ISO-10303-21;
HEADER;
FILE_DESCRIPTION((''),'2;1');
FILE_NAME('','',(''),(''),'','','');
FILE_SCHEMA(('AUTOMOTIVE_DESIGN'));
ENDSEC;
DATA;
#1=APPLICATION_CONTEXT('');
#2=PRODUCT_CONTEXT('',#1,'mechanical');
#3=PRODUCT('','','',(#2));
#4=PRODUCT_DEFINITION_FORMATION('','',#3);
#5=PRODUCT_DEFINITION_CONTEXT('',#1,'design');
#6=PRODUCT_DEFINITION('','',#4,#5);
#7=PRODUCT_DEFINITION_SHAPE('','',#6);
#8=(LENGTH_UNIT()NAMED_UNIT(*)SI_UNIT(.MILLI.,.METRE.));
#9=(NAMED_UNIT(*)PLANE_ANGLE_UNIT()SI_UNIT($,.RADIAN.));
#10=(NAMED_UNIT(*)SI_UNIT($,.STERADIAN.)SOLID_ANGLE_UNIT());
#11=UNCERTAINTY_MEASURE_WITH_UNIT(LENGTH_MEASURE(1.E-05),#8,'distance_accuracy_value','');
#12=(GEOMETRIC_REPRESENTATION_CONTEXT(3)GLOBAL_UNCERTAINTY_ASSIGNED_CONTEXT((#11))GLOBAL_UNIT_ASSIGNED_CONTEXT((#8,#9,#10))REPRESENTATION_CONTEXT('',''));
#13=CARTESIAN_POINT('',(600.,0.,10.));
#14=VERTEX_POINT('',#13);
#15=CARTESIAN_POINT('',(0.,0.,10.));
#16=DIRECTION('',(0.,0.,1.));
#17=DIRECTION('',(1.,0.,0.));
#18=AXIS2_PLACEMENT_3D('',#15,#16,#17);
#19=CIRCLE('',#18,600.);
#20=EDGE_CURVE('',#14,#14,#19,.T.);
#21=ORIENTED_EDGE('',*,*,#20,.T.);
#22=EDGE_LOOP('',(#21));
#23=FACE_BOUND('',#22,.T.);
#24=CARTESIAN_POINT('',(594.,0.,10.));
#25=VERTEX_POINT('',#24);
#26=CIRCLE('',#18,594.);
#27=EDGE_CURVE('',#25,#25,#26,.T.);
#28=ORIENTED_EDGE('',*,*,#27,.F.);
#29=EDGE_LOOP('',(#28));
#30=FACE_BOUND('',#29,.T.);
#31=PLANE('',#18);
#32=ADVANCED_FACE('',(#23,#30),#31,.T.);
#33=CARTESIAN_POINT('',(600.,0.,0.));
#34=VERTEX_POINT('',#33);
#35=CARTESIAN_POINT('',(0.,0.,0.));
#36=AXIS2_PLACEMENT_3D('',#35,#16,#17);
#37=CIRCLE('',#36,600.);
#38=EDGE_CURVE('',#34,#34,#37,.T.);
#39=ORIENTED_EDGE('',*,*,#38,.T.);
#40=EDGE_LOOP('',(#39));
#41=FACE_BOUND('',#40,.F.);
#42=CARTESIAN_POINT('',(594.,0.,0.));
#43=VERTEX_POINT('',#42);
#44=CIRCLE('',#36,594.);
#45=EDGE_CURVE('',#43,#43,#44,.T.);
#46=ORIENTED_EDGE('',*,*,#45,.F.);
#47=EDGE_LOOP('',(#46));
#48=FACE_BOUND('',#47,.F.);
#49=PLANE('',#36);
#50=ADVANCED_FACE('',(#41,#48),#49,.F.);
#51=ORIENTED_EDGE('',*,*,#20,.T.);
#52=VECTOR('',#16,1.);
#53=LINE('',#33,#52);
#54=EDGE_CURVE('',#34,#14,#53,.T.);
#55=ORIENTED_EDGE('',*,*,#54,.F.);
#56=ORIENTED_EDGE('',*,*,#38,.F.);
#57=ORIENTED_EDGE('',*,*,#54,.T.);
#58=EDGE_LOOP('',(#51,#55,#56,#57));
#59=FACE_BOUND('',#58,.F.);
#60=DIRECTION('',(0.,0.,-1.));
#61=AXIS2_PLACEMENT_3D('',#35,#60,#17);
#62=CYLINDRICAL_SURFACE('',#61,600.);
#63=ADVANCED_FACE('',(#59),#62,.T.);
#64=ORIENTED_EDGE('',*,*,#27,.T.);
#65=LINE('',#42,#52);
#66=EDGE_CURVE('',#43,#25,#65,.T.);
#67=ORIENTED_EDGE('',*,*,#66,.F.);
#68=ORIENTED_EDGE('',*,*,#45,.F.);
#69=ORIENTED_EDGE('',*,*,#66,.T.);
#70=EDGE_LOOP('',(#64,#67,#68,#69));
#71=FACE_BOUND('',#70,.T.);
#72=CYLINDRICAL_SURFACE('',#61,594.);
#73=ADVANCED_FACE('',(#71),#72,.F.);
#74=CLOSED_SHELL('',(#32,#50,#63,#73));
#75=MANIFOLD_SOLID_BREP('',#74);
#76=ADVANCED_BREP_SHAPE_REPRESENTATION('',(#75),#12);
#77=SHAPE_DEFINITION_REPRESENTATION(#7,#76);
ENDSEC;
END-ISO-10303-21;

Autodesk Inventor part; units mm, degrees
ref_plane "YZ Plane" through (0, 0, 0) normal (1, 0, 0) x (0, 1, 0)
ref_plane "XZ Plane" through (0, 0, 0) normal (0, 1, 0) x (-1, 0, 0)
ref_plane "XY Plane" through (0, 0, 0) normal (0, 0, 1) x (1, 0, 0)
sketch "Sketch1" plane through (0, 0, 0) normal (0, 0, 1) x (1, 0, 0)
  circle A0 centre (0, 0) radius 600
  circle A1 centre (0, 0) radius 594
  dimension "d0" = 1200
  dimension "d1" = 6
extrude "Extrusion1" add sketch "Sketch1" along normal blind 10
sketch "Sketch2" plane through (0, 0, 0) normal (0, 0, 1) x (1, 0, 0)
  circle A0 centre (0, 0) radius 517.8803 construction
  circle A1 centre (0, 0) radius 400.2499 construction
  circle A2 centre (0, 0) radius 256.3201 construction
  circle A3 centre (90, -90) radius 95
  circle A4 centre (-90, -90) radius 95
  circle A5 centre (-90, 90) radius 95
  circle A6 centre (90, 90) radius 95
  line L0 (90, 90) -> (-90, 90)
  line L1 (-90, 90) -> (-90, -90)
  line L2 (-90, -90) -> (90, -90)
  line L3 (90, -90) -> (90, 90)
  line L4 (90, 90) -> (-90, -90) construction
  line L5 (-90, 90) -> (90, -90) construction
  circle A7 centre (-240, -90) radius 95
  circle A8 centre (-390, -90) radius 95
  circle A9 centre (-510, -90) radius 95
  circle A10 centre (-90, -270) radius 95
  circle A11 centre (-90, -500) radius 95
  circle A12 centre (-290, -270) radius 95
  circle A13 centre (-450, -270) radius 95
  circle A14 centre (-340, -400) radius 95
  circle A15 centre (-240, 90) radius 95
  circle A16 centre (-390, 90) radius 95
  circle A17 centre (-510, 90) radius 95
  line L6 (-90, -90) -> (-510, -90)
  line L7 (0, 0) -> (0, -500)
  line L8 (0, -500) -> (-90, -500)
  line L9 (0, -400) -> (-340, -400)
  line L10 (0, -270) -> (-450, -270)
  circle A18 centre (-190, -400) radius 95
  dimension "d4" = 190
  dimension "d7" = 90
  dimension "d8" = 270
  dimension "d9" = 400
  dimension "d10" = 500
  dimension "d11" = 240
  dimension "d12" = 390
  dimension "d13" = 510
  dimension "d14" = 90
  dimension "d15" = 90
  dimension "d16" = 290
  dimension "d17" = 450
  dimension "d18" = 190
  dimension "d19" = 340
  dimension "d20" = 90
sketch "Sketch3" plane through (0, 0, 0) normal (0, 0, 1) x (1, 0, 0)
  circle A0 centre (-104.0992, -233.3488) radius 95
  circle A1 centre (-161.9131, -395.3117) radius 95
  circle A2 centre (-91.7953, -514.3257) radius 95
  circle A3 centre (-280.9346, -260.412) radius 95
  circle A4 centre (-299.5406, -418.8761) radius 95
  circle A5 centre (-250.7395, 99.5106) radius 95
  circle A6 centre (-395.8303, 87.9315) radius 95
  circle A7 centre (-535.2648, 91.0733) radius 95
  circle A8 centre (-460.3613, -287.8718) radius 95
  circle A9 centre (-531.2922, -111.9436) radius 95
  circle A10 centre (-392.3143, -102.4845) radius 95
  circle A11 centre (0, 0) radius 542.9574 construction
  circle A12 centre (-253.2201, -93.0176) radius 95
  circle A13 centre (-90.4998, -81.9426) radius 95
  circle A14 centre (85.6841, -88.1302) radius 95
  circle A15 centre (-90.4998, 88.0537) radius 95
  circle A16 centre (0, 0) radius 405.4794 construction
  circle A17 centre (0, 0) radius 269.7641 construction
  circle A18 centre (85.6841, 88.0537) radius 95
  line L0 (0, 0) -> (0, -542.9574)
  line L1 (0, -75.783) -> (-531.2922, -111.9436)
  line L2 (0, -217.4173) -> (-460.3613, -287.8718)
  circle A19 centre (0, 0) radius 600
  line L3 (0, -367.5891) -> (-299.5406, -418.8761)
  line L4 (-91.7953, -514.3257) -> (0, -514.3257)
  point P0 (0, 0)
  dimension "d21" = 190
  dimension "d22" = 1200
equation "\"d14\" = d7"
equation "\"d15\" = d7"
equation "\"BendRadius\" = Thickness"
equation "\"BendReliefWidth\" = Thickness"
equation "\"BendReliefDepth\" = 0.5 * Thickness"
equation "\"CornerReliefSize\" = 4 * Thickness"
equation "\"MinimumRemnant\" = 2 * Thickness"
equation "\"TransitionRadius\" = BendRadius"
equation "\"JacobiRadiusSize\" = BendRadius"
equation "\"GapSize\" = Thickness"
equation "\"way_tube_L1\" = 1"
equation "\"way_tube_L2\" = 1"
equation "\"way_tube_L3\" = 1"
equation "\"way_tube_L4\" = 1"
equation "\"way_tube_L5\" = 120"
equation "\"way_tube_L6\" = 90"
equation "\"way_tube_L7\" = 20"
equation "\"way_tube_L8\" = 90"
equation "\"way_tube_L9\" = 80"
equation "\"way_tube_L10\" = 80"
equation "\"Thickness\" = 3.048"
properties part number "TZS 1759 DIM filter-distribution-system 940"
